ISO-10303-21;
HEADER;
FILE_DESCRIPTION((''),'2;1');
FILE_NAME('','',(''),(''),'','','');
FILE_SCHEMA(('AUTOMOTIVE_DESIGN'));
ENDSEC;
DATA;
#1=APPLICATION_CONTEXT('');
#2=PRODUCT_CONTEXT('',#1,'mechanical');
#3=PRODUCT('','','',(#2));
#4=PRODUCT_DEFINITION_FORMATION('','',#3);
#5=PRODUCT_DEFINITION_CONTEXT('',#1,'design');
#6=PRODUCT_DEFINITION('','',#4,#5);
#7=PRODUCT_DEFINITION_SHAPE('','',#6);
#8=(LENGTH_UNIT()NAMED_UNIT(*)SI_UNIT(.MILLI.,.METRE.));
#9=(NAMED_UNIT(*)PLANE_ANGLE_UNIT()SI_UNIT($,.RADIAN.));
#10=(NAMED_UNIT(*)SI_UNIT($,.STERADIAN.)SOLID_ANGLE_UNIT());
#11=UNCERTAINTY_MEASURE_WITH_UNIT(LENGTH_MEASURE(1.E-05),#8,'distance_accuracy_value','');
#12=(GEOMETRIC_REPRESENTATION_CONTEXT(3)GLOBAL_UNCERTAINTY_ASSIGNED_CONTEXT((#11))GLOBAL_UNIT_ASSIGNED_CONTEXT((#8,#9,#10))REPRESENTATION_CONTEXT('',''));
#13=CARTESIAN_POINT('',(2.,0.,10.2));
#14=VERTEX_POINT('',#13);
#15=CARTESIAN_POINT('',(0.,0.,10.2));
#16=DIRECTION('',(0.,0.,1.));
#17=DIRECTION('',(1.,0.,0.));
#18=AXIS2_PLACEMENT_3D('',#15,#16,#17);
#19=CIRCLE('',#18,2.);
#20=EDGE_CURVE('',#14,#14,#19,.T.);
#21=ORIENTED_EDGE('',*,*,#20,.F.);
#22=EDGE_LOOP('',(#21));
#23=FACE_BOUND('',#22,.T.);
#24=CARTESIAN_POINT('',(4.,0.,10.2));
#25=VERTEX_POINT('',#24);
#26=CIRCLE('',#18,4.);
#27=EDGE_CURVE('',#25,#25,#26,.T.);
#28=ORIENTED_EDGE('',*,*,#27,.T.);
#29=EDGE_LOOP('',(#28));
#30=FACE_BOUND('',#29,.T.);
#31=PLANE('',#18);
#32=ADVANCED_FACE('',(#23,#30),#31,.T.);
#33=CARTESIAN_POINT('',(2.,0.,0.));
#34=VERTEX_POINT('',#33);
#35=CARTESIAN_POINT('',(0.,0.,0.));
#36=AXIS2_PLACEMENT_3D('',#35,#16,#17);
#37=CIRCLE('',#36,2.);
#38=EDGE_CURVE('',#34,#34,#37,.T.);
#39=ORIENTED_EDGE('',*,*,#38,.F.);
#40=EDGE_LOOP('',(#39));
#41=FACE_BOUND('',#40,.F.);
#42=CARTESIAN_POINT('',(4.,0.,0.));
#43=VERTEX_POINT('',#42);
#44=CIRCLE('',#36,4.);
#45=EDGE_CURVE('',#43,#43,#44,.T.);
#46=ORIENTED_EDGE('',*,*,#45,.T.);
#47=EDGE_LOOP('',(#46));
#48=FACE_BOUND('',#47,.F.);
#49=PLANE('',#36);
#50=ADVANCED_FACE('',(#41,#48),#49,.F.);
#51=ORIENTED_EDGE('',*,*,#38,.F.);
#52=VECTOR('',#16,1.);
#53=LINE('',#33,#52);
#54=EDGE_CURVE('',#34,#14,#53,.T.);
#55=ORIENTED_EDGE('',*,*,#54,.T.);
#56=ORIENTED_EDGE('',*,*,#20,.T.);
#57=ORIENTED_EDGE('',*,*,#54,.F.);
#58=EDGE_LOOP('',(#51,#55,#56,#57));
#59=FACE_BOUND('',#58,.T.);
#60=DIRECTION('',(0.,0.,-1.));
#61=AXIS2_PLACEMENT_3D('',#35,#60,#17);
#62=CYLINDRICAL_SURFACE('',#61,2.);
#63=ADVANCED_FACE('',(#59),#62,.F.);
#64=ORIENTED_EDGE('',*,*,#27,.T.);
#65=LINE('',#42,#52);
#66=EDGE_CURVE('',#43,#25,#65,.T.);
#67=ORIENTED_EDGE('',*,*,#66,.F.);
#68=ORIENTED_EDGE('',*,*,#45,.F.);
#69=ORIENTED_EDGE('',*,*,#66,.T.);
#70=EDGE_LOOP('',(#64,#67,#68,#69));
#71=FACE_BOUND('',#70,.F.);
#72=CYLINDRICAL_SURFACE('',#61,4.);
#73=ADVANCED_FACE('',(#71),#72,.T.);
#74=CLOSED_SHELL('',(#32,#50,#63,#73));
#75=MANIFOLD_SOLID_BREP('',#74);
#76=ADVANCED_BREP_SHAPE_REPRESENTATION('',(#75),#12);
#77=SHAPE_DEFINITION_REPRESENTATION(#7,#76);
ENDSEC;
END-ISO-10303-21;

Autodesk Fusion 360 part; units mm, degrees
sketch "Sketch1" plane through (0, 0, 0) normal (0, 0, 1) x (1, 0, 0)
  circle A0 centre (0, 0) radius 4
  circle A1 centre (0, 0) radius 2
  dimension "d1" = 8
  dimension "d2" = 4
extrude "Extrude1" add sketch "Sketch1" along normal blind 10.2
